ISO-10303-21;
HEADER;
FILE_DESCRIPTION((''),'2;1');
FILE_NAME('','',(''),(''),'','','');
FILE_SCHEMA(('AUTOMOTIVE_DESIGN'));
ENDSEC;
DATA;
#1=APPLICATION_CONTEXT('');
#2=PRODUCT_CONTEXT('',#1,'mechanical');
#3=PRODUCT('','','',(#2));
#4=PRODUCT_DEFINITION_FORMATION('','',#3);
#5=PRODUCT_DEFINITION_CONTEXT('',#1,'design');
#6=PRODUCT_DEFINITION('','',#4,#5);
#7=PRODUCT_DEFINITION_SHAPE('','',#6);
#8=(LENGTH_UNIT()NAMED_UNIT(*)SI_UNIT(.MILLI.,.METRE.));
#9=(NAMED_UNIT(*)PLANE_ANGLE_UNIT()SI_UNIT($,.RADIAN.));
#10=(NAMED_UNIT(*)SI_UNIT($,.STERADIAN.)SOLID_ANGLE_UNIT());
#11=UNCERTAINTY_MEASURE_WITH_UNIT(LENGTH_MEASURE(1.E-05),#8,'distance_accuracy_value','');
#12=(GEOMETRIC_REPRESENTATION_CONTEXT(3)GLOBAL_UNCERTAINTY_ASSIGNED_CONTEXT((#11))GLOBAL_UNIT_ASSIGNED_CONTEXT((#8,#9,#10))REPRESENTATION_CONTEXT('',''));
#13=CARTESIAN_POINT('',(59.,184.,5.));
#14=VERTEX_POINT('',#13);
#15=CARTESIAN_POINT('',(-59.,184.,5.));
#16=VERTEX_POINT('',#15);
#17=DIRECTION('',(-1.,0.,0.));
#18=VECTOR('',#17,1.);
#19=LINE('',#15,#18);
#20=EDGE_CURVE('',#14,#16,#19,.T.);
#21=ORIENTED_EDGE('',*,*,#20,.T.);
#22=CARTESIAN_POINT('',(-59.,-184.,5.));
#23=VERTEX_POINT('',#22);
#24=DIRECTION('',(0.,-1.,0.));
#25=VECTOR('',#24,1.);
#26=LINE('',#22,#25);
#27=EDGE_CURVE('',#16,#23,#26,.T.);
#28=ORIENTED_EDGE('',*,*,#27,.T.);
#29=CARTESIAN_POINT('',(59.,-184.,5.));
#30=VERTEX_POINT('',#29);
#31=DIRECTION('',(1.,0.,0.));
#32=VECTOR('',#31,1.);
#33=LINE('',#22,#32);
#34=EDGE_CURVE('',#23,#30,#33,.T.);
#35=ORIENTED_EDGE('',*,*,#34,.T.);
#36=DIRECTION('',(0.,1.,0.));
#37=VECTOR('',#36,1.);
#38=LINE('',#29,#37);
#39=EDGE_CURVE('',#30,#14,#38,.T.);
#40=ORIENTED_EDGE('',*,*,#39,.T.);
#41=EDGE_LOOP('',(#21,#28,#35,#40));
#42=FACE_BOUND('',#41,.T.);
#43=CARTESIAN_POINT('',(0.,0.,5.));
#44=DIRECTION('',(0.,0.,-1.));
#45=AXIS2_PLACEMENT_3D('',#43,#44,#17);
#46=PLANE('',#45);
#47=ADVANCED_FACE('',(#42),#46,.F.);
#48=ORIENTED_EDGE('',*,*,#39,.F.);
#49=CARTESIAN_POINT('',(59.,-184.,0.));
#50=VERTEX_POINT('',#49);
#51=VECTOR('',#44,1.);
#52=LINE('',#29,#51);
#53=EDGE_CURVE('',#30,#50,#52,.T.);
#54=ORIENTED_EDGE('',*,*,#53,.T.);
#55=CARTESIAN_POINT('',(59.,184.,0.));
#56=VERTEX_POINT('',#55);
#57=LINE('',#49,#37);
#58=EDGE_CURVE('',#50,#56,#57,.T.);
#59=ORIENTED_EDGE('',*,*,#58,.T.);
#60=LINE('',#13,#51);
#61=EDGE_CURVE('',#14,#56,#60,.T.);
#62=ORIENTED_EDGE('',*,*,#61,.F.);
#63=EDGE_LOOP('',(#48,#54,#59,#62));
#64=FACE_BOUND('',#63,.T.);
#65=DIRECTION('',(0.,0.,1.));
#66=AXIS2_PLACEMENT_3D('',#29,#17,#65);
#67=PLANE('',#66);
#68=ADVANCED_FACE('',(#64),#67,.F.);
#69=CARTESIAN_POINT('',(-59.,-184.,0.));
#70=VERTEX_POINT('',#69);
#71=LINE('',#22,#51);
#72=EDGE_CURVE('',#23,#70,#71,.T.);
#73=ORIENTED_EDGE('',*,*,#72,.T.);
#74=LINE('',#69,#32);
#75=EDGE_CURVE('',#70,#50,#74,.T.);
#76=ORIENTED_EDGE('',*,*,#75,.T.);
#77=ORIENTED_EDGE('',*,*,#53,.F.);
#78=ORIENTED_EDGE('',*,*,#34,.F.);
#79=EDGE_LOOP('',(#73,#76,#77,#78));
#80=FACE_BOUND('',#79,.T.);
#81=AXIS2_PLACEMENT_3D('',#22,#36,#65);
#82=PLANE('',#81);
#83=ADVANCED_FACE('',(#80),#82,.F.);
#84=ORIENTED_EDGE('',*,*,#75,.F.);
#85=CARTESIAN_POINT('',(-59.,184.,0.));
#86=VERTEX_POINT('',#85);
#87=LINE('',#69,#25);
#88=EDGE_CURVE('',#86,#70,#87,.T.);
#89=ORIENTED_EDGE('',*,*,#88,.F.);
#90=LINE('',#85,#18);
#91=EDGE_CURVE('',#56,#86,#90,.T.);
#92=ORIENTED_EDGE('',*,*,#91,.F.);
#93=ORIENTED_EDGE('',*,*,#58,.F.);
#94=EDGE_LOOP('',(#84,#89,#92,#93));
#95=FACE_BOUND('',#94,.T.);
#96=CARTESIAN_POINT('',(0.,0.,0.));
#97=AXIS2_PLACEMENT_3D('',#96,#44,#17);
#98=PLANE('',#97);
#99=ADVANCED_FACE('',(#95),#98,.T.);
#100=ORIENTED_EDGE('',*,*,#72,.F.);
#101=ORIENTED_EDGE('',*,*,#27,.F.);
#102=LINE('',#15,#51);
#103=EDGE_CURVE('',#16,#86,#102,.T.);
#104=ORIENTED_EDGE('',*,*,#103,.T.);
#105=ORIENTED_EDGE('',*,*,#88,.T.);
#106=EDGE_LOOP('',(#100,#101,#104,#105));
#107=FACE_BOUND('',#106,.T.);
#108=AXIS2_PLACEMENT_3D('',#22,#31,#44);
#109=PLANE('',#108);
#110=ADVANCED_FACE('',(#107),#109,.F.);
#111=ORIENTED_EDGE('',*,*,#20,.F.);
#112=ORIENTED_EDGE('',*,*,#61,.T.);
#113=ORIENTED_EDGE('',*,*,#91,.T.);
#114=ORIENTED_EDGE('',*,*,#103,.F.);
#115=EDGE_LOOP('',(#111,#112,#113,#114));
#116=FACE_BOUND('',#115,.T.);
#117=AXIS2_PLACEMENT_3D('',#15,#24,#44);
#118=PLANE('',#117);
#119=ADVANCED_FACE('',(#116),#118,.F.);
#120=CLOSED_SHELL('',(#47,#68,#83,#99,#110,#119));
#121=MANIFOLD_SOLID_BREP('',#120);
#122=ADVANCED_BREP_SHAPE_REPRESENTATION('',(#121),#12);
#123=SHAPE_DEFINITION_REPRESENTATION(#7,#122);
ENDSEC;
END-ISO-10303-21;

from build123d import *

# Parameters (mm, degrees)
SKETCH_2_W      = 118
SKETCH_2_H      = 368
EXTRUDE_1_DEPTH = 5


with BuildPart() as part:
    # 草图2 → 凸台-拉伸1 (new body)
    with BuildSketch(Plane.XY):
        Rectangle(SKETCH_2_W, SKETCH_2_H)
    extrude(amount=EXTRUDE_1_DEPTH)


solid = part.part
